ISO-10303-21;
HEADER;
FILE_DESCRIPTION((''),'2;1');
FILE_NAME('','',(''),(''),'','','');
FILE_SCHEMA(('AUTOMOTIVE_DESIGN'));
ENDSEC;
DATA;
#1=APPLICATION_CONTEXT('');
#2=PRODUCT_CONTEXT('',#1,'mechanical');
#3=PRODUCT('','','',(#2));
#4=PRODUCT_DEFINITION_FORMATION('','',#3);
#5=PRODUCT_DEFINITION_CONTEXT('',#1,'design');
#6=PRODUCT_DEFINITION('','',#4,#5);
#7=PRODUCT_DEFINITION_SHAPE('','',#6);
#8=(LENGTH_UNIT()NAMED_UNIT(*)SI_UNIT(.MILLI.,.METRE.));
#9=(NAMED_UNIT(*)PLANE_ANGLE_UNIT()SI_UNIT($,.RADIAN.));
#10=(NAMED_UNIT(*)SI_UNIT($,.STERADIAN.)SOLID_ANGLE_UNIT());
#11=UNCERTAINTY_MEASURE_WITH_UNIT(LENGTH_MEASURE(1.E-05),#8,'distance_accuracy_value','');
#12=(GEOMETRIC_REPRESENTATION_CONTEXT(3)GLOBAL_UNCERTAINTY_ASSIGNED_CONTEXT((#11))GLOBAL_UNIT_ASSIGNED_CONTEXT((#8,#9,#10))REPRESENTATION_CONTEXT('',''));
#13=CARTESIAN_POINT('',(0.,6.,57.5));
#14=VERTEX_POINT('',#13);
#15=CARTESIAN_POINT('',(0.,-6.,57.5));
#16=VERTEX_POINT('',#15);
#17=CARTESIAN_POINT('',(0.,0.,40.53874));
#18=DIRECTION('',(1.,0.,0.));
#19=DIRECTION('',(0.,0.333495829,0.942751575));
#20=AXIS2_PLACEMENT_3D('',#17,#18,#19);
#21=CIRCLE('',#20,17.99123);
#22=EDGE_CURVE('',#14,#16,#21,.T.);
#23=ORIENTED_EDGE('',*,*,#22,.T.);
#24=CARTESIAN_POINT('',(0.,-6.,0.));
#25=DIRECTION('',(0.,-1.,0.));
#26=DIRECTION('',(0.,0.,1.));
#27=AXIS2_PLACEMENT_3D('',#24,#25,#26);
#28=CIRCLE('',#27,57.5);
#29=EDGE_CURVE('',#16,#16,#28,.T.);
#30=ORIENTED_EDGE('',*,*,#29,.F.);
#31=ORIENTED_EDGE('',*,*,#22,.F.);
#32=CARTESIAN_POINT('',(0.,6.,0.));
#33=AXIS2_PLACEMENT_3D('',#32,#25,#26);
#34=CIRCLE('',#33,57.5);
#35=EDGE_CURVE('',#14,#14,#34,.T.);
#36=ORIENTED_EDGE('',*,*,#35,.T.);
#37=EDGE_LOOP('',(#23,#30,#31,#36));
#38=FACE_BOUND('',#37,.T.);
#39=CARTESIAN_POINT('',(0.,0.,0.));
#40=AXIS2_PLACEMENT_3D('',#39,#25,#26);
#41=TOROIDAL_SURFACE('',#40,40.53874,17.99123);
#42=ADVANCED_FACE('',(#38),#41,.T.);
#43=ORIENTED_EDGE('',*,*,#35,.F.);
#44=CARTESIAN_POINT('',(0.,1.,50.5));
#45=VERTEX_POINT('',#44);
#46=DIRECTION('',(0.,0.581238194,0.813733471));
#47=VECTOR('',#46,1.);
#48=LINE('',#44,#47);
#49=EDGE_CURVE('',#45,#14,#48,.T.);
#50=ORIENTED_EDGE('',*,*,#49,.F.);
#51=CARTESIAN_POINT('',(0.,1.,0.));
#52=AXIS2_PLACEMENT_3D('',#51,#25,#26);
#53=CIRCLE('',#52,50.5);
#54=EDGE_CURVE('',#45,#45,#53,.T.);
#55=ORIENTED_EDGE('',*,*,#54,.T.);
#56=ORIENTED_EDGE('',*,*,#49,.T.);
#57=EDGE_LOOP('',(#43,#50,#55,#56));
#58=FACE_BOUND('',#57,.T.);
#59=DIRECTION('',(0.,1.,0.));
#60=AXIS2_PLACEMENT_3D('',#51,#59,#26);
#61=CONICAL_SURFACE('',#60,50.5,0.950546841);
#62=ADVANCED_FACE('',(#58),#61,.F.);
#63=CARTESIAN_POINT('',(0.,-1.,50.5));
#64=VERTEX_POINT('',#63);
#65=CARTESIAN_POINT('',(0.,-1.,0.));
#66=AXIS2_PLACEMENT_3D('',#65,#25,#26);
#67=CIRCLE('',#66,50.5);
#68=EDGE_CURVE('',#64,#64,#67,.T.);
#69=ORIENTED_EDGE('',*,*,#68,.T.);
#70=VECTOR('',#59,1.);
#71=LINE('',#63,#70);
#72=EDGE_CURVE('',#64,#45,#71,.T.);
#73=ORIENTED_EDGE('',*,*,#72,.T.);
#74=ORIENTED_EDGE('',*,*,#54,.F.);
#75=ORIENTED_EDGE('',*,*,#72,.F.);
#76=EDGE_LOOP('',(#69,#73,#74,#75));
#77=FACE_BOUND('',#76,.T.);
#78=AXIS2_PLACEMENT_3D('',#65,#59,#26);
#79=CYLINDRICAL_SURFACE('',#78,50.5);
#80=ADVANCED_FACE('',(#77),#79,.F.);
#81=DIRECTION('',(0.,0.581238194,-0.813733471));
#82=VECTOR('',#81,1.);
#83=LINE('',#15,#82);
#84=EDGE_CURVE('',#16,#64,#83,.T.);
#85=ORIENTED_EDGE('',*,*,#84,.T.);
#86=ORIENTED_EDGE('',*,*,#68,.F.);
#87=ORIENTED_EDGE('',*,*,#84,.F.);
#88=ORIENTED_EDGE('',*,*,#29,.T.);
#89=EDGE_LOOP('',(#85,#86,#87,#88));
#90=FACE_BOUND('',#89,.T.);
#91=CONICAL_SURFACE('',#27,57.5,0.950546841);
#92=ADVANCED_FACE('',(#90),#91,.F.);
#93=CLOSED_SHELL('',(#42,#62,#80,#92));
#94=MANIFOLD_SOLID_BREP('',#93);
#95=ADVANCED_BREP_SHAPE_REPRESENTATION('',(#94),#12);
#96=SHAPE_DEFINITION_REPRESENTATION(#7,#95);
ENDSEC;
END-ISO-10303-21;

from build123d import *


with BuildPart() as f2:
    # F1 (on Right) → F2 (revolve)
    with BuildSketch(Plane.YZ):
        Polygon((-1, 50.5), (1, 50.5), (6, 57.5), (-6, 57.5), align=None)
        with BuildLine():
            Line((-6, 57.5), (6, 57.5))
            ThreePointArc((6, 57.5), (0, 58.5299695529), (-6, 57.5))
        make_face()
    revolve(axis=Axis((0, 0, 0), (0, -1, 0)))


solid = f2.part
